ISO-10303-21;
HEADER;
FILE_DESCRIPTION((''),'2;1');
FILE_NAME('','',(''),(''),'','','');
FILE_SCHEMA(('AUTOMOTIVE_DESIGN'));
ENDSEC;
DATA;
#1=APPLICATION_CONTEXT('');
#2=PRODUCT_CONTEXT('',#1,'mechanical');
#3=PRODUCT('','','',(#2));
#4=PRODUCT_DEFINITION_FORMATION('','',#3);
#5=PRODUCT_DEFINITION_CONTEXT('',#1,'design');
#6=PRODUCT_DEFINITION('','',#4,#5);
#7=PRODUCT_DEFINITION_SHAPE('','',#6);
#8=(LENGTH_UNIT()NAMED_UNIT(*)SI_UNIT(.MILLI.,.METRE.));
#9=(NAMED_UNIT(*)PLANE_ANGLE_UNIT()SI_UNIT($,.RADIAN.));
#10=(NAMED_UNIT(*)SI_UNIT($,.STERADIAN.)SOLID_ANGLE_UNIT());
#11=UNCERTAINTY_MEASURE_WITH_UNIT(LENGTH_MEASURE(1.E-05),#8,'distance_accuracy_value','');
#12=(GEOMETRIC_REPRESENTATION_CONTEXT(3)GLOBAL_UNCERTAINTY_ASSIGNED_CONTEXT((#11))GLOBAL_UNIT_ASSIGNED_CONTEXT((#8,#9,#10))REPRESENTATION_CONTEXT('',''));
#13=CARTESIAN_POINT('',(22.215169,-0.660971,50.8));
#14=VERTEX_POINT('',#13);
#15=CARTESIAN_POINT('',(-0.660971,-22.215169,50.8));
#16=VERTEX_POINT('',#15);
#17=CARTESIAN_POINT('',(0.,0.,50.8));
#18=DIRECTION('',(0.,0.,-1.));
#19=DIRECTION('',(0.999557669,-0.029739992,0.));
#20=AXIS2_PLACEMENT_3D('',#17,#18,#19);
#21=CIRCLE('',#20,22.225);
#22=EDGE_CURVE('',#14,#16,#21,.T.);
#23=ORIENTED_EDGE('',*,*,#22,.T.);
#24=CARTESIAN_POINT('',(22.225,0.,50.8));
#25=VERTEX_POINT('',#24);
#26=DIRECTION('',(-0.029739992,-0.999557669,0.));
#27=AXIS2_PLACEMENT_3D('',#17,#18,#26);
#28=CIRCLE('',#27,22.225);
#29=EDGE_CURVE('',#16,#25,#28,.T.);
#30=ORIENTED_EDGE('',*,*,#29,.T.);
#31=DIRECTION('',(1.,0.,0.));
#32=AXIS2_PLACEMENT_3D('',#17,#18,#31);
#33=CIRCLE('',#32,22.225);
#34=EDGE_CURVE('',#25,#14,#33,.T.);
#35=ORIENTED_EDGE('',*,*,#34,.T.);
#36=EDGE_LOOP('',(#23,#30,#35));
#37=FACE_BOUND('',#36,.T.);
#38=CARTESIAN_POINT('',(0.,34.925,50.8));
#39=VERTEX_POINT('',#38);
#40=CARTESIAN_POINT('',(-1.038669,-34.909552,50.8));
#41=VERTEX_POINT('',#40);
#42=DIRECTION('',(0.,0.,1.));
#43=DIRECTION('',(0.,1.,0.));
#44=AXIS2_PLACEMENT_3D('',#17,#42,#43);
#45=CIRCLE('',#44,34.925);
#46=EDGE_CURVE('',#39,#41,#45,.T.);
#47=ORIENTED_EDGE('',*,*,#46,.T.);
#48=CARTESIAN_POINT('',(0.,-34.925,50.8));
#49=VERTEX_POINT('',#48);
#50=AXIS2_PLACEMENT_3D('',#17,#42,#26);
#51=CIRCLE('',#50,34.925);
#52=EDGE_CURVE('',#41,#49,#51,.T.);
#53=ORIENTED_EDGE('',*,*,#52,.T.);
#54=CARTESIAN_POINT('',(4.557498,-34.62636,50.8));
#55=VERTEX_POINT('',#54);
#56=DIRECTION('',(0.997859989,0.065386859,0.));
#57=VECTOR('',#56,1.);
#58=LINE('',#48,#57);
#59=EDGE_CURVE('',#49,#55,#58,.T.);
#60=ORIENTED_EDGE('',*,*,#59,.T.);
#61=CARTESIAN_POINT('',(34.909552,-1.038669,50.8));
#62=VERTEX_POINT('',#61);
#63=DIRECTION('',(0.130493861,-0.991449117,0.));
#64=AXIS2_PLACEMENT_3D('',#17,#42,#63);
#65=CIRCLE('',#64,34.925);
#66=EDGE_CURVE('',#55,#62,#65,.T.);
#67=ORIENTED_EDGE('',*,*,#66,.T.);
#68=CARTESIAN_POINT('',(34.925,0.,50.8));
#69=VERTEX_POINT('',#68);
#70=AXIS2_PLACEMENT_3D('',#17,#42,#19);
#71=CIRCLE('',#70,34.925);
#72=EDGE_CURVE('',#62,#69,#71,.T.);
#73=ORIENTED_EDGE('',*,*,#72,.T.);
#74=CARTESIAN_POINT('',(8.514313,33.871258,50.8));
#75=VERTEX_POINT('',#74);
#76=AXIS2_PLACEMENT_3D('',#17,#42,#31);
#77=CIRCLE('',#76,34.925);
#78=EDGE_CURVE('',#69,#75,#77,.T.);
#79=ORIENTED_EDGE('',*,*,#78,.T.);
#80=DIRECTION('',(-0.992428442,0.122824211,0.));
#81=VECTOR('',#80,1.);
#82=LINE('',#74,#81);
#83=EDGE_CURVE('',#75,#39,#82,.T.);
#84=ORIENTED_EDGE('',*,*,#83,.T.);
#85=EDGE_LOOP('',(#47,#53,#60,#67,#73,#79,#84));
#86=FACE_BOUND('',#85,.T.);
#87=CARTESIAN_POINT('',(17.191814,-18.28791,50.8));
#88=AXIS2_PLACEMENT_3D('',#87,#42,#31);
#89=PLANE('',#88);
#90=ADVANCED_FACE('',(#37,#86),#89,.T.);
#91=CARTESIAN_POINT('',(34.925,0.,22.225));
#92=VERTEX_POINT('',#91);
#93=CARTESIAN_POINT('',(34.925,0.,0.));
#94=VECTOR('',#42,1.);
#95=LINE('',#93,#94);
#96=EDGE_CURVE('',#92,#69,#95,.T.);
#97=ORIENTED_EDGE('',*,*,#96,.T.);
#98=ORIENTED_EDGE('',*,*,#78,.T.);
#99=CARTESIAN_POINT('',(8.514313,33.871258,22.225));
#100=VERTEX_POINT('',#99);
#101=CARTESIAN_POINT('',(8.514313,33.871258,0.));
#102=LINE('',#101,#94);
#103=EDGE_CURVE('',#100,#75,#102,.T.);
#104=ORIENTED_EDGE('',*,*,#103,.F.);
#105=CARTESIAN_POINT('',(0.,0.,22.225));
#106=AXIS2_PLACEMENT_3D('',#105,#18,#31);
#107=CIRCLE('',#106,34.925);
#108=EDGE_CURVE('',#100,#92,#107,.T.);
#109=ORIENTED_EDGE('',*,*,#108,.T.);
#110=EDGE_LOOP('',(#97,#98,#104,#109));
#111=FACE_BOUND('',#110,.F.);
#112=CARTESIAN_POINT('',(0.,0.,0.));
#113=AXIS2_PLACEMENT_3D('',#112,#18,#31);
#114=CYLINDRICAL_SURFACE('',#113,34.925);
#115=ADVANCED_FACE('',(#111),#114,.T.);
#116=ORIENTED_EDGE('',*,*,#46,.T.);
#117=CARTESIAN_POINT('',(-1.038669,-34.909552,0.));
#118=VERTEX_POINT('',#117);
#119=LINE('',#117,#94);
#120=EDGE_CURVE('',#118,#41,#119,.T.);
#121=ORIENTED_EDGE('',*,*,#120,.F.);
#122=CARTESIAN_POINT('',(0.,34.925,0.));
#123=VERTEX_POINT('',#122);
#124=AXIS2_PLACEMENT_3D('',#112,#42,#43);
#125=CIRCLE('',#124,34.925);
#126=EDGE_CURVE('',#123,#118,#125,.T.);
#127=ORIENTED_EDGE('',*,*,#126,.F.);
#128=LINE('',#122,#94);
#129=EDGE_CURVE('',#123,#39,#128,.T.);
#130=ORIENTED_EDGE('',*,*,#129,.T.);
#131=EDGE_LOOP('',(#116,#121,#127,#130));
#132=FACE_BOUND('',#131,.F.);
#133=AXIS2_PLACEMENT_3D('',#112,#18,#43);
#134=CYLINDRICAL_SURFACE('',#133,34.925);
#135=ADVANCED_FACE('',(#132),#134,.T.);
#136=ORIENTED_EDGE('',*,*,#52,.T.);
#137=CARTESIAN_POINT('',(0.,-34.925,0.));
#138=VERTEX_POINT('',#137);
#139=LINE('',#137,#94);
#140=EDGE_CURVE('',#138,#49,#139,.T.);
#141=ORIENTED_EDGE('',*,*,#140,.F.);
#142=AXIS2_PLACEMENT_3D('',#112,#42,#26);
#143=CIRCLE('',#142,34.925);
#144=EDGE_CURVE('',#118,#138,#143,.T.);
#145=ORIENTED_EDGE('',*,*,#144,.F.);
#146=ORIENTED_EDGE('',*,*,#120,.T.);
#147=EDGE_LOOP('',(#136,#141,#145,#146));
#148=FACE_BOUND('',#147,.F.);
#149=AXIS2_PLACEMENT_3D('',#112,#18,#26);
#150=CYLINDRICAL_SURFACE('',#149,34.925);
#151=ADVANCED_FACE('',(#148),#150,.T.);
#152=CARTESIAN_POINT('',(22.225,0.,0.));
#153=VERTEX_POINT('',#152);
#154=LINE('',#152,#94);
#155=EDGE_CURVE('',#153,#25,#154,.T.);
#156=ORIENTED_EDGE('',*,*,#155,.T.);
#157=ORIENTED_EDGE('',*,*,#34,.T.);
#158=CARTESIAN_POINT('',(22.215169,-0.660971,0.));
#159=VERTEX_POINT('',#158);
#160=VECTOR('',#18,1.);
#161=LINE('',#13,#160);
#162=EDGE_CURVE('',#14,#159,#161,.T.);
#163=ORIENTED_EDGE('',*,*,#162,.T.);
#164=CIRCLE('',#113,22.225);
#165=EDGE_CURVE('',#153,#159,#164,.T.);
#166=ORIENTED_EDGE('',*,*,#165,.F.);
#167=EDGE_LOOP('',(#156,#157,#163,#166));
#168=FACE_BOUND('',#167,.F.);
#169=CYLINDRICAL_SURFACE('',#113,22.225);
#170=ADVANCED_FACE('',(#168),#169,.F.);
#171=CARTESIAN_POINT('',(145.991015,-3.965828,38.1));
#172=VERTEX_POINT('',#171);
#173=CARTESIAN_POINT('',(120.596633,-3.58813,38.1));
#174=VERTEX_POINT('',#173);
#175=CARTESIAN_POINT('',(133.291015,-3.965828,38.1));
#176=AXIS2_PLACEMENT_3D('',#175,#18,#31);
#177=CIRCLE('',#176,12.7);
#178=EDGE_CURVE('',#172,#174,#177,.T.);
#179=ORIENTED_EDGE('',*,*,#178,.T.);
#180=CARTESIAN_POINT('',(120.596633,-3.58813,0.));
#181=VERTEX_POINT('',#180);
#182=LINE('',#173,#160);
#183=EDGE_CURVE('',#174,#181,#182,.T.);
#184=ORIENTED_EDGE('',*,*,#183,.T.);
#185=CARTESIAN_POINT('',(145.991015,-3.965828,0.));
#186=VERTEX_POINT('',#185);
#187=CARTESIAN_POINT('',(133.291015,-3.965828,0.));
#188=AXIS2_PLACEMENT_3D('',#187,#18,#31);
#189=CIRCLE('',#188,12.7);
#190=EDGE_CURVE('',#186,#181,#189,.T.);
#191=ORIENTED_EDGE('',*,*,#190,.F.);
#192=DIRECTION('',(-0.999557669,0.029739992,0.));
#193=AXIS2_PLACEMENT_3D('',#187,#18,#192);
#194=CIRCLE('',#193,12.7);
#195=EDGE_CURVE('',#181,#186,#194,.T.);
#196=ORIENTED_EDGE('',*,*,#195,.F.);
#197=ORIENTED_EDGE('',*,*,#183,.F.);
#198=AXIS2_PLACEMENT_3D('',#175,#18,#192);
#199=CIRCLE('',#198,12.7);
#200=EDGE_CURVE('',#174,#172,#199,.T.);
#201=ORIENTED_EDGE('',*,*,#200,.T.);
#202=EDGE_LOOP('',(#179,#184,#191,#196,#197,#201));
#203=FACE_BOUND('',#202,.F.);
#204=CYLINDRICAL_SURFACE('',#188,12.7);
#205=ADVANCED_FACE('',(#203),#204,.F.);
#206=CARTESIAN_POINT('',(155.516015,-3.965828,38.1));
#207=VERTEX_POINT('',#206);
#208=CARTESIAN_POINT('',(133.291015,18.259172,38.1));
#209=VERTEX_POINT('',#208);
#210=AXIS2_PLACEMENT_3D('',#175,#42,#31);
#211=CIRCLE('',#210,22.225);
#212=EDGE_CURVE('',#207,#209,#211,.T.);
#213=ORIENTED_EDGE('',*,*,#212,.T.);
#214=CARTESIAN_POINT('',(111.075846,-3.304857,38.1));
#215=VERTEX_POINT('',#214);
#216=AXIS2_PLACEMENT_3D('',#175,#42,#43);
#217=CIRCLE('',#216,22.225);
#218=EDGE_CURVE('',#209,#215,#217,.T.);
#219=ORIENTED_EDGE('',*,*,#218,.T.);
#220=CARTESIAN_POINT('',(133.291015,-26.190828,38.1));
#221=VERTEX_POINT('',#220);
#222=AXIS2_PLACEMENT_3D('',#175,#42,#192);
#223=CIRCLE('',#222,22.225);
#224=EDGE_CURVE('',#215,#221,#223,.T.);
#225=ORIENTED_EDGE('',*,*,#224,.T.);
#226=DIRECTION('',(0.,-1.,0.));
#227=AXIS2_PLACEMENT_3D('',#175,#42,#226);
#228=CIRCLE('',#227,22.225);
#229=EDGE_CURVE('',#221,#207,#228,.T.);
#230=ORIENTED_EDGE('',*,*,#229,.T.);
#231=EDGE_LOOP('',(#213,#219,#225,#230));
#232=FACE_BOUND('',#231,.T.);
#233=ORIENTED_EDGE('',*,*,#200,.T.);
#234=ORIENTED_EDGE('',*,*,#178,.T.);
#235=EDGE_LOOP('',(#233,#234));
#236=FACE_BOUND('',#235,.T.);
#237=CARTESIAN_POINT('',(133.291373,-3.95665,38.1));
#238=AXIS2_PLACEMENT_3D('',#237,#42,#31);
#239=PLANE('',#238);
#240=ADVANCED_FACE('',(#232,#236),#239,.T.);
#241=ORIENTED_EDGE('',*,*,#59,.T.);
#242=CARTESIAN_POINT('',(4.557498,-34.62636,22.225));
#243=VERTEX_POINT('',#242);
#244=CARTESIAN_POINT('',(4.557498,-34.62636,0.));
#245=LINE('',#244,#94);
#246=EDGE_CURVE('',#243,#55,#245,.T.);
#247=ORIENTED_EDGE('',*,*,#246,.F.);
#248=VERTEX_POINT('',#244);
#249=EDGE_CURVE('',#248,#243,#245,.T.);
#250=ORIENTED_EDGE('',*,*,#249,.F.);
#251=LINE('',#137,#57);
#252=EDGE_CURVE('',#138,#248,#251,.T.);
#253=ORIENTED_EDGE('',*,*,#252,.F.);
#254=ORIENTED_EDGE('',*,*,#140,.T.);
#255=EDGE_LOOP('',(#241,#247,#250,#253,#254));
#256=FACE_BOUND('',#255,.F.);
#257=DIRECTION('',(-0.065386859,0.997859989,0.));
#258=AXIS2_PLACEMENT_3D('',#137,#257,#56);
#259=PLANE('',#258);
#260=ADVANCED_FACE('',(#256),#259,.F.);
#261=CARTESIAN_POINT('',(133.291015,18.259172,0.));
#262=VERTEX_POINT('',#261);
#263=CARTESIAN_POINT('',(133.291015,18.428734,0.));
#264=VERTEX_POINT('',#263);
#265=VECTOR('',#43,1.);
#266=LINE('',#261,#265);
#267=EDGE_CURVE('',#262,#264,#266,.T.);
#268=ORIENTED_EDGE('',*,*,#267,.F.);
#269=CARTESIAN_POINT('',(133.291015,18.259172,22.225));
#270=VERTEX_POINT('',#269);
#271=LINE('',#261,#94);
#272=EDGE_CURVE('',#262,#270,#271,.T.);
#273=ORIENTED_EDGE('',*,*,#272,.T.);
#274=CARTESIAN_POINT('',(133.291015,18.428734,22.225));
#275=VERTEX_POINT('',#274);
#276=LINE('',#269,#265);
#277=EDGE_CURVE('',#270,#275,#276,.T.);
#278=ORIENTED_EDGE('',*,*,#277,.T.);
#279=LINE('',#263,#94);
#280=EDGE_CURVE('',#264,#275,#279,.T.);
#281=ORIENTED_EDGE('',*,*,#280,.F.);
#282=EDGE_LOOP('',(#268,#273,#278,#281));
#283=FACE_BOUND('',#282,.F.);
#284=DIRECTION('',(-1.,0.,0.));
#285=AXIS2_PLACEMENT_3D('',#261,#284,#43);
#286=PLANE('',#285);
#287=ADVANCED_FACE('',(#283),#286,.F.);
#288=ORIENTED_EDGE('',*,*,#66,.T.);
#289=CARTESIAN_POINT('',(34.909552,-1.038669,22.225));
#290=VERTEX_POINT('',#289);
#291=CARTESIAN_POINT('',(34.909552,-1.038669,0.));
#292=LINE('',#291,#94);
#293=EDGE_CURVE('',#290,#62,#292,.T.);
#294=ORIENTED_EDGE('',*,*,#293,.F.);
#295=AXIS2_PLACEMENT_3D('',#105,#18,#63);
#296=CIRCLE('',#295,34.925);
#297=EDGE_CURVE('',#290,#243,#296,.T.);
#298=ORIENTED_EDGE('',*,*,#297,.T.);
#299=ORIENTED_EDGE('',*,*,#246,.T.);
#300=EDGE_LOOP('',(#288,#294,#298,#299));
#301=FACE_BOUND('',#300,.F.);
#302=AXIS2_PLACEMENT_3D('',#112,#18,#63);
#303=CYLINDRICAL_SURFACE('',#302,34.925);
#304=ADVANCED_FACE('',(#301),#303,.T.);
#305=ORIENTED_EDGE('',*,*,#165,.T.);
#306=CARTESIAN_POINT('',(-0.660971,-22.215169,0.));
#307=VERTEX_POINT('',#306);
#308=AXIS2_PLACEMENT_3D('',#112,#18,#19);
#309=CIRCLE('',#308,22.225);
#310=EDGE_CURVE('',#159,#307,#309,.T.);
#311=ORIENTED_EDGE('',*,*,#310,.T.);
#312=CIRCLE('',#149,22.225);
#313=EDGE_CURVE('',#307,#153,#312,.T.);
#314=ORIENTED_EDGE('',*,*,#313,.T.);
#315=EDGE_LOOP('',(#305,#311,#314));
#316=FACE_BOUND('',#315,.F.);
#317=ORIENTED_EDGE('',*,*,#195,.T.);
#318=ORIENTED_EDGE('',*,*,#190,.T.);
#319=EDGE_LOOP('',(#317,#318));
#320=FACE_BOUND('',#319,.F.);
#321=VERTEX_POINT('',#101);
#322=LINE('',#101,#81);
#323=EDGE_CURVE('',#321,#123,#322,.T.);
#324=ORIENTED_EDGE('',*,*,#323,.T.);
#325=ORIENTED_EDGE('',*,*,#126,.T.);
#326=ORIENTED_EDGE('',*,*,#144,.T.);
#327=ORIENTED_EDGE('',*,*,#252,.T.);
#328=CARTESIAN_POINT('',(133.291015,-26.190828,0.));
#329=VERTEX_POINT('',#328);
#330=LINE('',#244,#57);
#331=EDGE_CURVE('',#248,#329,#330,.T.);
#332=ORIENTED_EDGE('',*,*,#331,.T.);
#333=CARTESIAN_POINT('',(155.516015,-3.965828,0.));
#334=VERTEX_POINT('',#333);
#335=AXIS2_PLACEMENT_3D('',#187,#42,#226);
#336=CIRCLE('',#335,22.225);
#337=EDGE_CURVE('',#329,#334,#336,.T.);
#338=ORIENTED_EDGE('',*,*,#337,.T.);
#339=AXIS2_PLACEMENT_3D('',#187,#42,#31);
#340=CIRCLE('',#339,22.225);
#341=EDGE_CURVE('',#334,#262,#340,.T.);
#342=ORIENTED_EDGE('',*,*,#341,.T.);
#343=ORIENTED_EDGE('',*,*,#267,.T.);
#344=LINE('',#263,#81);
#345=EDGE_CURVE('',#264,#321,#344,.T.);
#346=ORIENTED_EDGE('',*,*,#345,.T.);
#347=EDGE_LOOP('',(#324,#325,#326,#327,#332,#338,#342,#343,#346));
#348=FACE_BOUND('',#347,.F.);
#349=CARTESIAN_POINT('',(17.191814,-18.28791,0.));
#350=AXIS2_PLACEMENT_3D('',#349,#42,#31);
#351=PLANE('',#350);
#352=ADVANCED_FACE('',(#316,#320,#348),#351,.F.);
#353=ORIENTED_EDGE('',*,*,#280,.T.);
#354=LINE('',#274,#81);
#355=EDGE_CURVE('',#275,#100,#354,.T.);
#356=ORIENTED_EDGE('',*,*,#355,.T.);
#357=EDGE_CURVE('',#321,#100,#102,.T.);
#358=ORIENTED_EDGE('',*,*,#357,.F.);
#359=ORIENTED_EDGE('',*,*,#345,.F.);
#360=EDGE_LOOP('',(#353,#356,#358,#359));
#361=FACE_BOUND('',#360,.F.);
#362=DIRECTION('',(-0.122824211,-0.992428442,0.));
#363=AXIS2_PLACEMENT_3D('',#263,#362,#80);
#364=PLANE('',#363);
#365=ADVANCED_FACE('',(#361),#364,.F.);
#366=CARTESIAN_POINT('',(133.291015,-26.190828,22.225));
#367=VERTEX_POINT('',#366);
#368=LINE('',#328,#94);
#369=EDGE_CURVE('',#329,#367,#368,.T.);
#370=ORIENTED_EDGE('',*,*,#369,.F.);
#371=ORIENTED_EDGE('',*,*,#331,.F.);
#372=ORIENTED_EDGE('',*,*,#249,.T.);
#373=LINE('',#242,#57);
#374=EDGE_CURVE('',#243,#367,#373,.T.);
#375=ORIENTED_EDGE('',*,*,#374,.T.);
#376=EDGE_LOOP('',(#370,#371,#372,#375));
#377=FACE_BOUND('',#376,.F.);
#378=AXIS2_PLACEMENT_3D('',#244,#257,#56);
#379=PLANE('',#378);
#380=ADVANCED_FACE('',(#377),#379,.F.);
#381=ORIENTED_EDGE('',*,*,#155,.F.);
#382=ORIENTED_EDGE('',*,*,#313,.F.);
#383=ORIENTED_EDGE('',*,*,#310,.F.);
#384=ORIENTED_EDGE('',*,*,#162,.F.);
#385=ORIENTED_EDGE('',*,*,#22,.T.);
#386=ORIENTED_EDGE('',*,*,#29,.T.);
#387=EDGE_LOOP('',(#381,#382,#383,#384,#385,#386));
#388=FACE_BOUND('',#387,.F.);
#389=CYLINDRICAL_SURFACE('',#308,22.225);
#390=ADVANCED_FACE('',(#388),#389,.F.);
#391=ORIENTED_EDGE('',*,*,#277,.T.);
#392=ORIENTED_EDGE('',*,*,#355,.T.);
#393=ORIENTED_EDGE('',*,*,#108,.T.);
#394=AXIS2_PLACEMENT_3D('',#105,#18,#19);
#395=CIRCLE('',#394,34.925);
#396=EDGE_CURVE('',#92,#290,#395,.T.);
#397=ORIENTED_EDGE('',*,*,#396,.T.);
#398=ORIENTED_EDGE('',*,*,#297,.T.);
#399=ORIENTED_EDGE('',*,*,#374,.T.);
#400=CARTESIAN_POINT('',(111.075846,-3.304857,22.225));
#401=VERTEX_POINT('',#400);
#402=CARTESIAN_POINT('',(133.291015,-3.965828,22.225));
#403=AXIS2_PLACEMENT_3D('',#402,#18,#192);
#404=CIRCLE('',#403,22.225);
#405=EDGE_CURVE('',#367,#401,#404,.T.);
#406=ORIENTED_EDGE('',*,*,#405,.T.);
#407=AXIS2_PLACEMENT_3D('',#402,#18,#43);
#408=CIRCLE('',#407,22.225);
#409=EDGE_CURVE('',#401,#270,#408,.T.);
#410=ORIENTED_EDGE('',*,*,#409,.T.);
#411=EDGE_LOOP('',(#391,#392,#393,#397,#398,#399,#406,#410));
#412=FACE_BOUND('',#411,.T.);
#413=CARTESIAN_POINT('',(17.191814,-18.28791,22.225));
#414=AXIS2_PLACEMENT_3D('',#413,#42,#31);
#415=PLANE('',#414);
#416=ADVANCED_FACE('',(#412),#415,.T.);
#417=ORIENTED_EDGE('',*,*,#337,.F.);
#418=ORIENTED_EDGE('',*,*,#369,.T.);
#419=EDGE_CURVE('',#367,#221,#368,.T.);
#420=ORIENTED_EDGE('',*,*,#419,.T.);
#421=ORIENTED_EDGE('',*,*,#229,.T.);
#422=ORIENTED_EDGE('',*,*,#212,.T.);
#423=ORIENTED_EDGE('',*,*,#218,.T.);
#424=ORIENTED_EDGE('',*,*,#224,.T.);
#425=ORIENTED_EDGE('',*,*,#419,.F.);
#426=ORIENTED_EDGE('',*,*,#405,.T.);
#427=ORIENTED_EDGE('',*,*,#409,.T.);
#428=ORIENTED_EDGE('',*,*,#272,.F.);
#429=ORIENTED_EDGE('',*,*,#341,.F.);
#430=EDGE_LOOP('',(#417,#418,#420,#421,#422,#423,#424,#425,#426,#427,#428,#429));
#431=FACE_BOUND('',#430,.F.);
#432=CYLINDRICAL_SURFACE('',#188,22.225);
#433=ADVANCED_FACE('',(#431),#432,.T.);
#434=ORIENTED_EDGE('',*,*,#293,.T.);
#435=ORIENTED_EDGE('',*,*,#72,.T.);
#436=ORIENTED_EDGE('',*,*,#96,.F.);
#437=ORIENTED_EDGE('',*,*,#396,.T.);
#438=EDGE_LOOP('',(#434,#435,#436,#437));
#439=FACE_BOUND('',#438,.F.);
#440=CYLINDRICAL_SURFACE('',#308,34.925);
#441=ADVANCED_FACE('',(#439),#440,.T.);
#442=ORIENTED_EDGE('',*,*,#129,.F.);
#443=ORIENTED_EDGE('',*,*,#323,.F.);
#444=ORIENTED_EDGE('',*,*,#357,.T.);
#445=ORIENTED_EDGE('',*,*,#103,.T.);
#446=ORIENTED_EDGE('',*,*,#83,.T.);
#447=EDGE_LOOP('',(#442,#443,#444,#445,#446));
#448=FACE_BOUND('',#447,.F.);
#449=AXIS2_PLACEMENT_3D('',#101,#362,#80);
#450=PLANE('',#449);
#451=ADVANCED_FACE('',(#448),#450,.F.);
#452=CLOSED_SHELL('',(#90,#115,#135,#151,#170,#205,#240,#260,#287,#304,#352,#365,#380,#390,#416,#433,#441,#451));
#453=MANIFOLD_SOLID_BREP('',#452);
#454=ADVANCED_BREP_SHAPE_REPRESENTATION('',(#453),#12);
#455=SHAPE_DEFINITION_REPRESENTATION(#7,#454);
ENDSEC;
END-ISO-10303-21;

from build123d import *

# Parameters (mm, degrees)
F1_DEPTH = 22.225
F2_DEPTH = 50.8
F3_DEPTH = 38.1


with BuildPart() as f1:
    # F0 (on Top) → F1 (new body)
    with BuildSketch(Plane.XY):
        with BuildLine():
            ThreePointArc((4.5574981074, -34.6263604209), (25.9122606637, -23.4160281067), (34.9095515761, -1.0386692217))
            Line((34.9095515761, -1.0386692217), (22.2151691848, -0.6609713229))
            ThreePointArc((22.2151691848, -0.6609713229), (15.2411194712, -16.1758740804), (-0.6609713229, -22.2151691848))
            Line((-0.6609713229, -22.2151691848), (-1.0386692217, -34.9095515761))
            ThreePointArc((-1.0386692217, -34.9095515761), (-0.5193920499, -34.9211376805), (0, -34.925))
            Line((0, -34.925), (4.5574981074, -34.6263604209))
        make_face()
        with BuildLine():
            ThreePointArc((34.9095515761, -1.0386692217), (34.9211376805, -0.5193920499), (34.925, 0))
            ThreePointArc((34.925, 0), (27.5419497881, 21.4754889786), (8.514312706, 33.871257788))
            Line((8.514312706, 33.871257788), (0, 34.925))
            ThreePointArc((0, 34.925), (-34.9211376805, 0.5193920499), (-1.0386692217, -34.9095515761))
            Line((-1.0386692217, -34.9095515761), (-0.6609713229, -22.2151691848))
            ThreePointArc((-0.6609713229, -22.2151691848), (-15.4799957582, 15.9474247553), (22.225, 0))
            ThreePointArc((22.225, 0), (22.2225421603, -0.3305222136), (22.2151691848, -0.6609713229))
            Line((22.2151691848, -0.6609713229), (34.9095515761, -1.0386692217))
        make_face()
        with BuildLine():
            Line((111.0758459241, -3.3048566146), (34.9095515761, -1.0386692217))
            ThreePointArc((34.9095515761, -1.0386692217), (25.9122606637, -23.4160281067), (4.5574981074, -34.6263604209))
            Line((4.5574981074, -34.6263604209), (133.2910151089, -26.1908279375))
            ThreePointArc((133.2910151089, -26.1908279375), (117.3435903536, -19.4458236957), (111.0758459241, -3.3048566146))
        make_face()
        with BuildLine():
            ThreePointArc((8.514312706, 33.871257788), (27.5419497881, 21.4754889786), (34.925, 0))
            ThreePointArc((34.925, 0), (34.9211376805, -0.5193920499), (34.9095515761, -1.0386692217))
            Line((34.9095515761, -1.0386692217), (111.0758459241, -3.3048566146))
            ThreePointArc((111.0758459241, -3.3048566146), (117.8110193507, 11.9815968178), (133.2910151089, 18.2591720625))
            Line((133.2910151089, 18.2591720625), (133.2910151089, 18.4287337781))
            Line((133.2910151089, 18.4287337781), (8.514312706, 33.871257788))
        make_face()
        with BuildLine():
            ThreePointArc((133.2910151089, 18.2591720625), (117.8110193507, 11.9815968178), (111.0758459241, -3.3048566146))
            ThreePointArc((111.0758459241, -3.3048566146), (117.3435903536, -19.4458236957), (133.2910151089, -26.1908279375))
            ThreePointArc((133.2910151089, -26.1908279375), (149.0064633208, -19.6812761494), (155.5160151089, -3.9658279375))
            ThreePointArc((155.5160151089, -3.9658279375), (149.0064633208, 11.7496202744), (133.2910151089, 18.2591720625))
        make_face()
        with BuildLine():
            ThreePointArc((145.9910151089, -3.9658279375), (133.1021452726, -16.6644234577), (120.5966327176, -3.5881300387))
            ThreePointArc((120.5966327176, -3.5881300387), (133.4798849453, 8.7327675827), (145.9910151089, -3.9658279375))
        make_face(mode=Mode.SUBTRACT)
    extrude(amount=F1_DEPTH)

    # F0 (on Top) → F2 (join)
    with BuildSketch(Plane.XY):
        with BuildLine():
            ThreePointArc((4.5574981074, -34.6263604209), (25.9122606637, -23.4160281067), (34.9095515761, -1.0386692217))
            Line((34.9095515761, -1.0386692217), (22.2151691848, -0.6609713229))
            ThreePointArc((22.2151691848, -0.6609713229), (15.2411194712, -16.1758740804), (-0.6609713229, -22.2151691848))
            Line((-0.6609713229, -22.2151691848), (-1.0386692217, -34.9095515761))
            ThreePointArc((-1.0386692217, -34.9095515761), (-0.5193920499, -34.9211376805), (0, -34.925))
            Line((0, -34.925), (4.5574981074, -34.6263604209))
        make_face()
        with BuildLine():
            ThreePointArc((34.9095515761, -1.0386692217), (34.9211376805, -0.5193920499), (34.925, 0))
            ThreePointArc((34.925, 0), (27.5419497881, 21.4754889786), (8.514312706, 33.871257788))
            Line((8.514312706, 33.871257788), (0, 34.925))
            ThreePointArc((0, 34.925), (-34.9211376805, 0.5193920499), (-1.0386692217, -34.9095515761))
            Line((-1.0386692217, -34.9095515761), (-0.6609713229, -22.2151691848))
            ThreePointArc((-0.6609713229, -22.2151691848), (-15.4799957582, 15.9474247553), (22.225, 0))
            ThreePointArc((22.225, 0), (22.2225421603, -0.3305222136), (22.2151691848, -0.6609713229))
            Line((22.2151691848, -0.6609713229), (34.9095515761, -1.0386692217))
        make_face()
    extrude(amount=F2_DEPTH)

    # F0 (on Top) → F3 (join)
    with BuildSketch(Plane.XY):
        with BuildLine():
            ThreePointArc((133.2910151089, 18.2591720625), (117.8110193507, 11.9815968178), (111.0758459241, -3.3048566146))
            ThreePointArc((111.0758459241, -3.3048566146), (117.3435903536, -19.4458236957), (133.2910151089, -26.1908279375))
            ThreePointArc((133.2910151089, -26.1908279375), (149.0064633208, -19.6812761494), (155.5160151089, -3.9658279375))
            ThreePointArc((155.5160151089, -3.9658279375), (149.0064633208, 11.7496202744), (133.2910151089, 18.2591720625))
        make_face()
        with BuildLine():
            ThreePointArc((145.9910151089, -3.9658279375), (133.1021452726, -16.6644234577), (120.5966327176, -3.5881300387))
            ThreePointArc((120.5966327176, -3.5881300387), (133.4798849453, 8.7327675827), (145.9910151089, -3.9658279375))
        make_face(mode=Mode.SUBTRACT)
    extrude(amount=F3_DEPTH)


solid = f1.part
